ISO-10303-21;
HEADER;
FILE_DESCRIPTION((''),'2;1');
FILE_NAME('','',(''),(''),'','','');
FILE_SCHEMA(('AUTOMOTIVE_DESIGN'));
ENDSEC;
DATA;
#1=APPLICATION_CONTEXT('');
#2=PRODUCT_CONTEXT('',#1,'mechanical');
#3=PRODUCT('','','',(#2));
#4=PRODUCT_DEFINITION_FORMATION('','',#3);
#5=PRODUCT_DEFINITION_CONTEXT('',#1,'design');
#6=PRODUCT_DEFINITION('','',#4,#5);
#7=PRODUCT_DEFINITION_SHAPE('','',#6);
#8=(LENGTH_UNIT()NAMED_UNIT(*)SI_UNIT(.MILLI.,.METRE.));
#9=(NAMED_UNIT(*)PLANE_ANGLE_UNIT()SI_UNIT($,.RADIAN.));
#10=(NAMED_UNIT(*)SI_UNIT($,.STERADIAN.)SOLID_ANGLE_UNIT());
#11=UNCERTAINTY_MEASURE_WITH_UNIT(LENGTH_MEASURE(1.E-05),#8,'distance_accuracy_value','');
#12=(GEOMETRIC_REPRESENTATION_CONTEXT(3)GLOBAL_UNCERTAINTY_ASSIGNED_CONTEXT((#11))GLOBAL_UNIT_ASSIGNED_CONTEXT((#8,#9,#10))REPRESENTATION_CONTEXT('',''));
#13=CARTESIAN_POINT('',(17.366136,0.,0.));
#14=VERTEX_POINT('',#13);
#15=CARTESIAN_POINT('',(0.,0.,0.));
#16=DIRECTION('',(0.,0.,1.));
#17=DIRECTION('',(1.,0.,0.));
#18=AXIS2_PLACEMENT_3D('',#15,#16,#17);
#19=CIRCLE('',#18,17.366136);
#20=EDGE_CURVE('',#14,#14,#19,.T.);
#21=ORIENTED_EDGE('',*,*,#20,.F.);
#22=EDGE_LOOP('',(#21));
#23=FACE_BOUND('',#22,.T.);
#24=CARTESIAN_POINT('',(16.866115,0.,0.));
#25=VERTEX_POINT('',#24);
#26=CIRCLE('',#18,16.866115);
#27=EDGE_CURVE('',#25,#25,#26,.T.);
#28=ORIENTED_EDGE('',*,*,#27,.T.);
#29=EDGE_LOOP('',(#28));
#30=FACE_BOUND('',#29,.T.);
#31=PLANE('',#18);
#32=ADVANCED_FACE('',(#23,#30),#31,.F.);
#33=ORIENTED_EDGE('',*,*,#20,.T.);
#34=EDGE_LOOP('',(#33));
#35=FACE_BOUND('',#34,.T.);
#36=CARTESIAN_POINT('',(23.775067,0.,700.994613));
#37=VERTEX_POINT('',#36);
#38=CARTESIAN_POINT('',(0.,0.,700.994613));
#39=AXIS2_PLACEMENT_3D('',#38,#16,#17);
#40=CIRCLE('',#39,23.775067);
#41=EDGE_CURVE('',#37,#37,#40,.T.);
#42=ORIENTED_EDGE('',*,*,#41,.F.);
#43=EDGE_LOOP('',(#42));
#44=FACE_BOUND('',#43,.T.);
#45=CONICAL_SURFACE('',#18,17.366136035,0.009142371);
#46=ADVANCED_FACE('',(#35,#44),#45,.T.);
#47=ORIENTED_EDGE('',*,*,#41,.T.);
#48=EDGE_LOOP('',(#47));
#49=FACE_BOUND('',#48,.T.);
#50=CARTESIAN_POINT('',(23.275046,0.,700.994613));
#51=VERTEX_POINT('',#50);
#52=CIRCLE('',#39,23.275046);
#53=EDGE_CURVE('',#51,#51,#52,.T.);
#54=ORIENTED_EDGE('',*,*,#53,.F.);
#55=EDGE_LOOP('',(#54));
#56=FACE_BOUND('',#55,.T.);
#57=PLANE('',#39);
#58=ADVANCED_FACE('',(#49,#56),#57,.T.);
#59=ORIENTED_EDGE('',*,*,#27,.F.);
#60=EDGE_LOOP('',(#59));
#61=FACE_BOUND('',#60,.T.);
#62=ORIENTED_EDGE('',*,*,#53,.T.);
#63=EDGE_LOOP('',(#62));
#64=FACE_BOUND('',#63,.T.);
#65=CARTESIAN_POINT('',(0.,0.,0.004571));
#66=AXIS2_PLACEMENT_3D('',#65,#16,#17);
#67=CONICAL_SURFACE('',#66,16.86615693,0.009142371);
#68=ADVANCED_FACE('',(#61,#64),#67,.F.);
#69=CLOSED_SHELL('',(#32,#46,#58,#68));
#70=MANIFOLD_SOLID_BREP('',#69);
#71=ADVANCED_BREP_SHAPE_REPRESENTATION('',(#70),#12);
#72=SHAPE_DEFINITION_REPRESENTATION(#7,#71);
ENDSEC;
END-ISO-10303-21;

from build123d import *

# Parameters (mm, degrees)
SKETCH1_R = 17.366136035
SKETCH2_R = 23.77506719
SHELL1_T  = -0.5


with BuildPart() as part:
    # Sketch1 → Loft1 section 0
    with BuildSketch(Plane.XY):
        Circle(SKETCH1_R)
    # Sketch2 → Loft1 section 1
    with BuildSketch(Plane.XY.offset(700.99461252)):
        Circle(SKETCH2_R)
    loft()

    # Shell1
    shell1_openings = [part.faces().sort_by_distance(p)[0] for p in [
        (0, 0, 700.99461252),
        (0, 0, 0),
    ]]
    offset(amount=SHELL1_T, openings=shell1_openings, kind=Kind.INTERSECTION)


solid = part.part
